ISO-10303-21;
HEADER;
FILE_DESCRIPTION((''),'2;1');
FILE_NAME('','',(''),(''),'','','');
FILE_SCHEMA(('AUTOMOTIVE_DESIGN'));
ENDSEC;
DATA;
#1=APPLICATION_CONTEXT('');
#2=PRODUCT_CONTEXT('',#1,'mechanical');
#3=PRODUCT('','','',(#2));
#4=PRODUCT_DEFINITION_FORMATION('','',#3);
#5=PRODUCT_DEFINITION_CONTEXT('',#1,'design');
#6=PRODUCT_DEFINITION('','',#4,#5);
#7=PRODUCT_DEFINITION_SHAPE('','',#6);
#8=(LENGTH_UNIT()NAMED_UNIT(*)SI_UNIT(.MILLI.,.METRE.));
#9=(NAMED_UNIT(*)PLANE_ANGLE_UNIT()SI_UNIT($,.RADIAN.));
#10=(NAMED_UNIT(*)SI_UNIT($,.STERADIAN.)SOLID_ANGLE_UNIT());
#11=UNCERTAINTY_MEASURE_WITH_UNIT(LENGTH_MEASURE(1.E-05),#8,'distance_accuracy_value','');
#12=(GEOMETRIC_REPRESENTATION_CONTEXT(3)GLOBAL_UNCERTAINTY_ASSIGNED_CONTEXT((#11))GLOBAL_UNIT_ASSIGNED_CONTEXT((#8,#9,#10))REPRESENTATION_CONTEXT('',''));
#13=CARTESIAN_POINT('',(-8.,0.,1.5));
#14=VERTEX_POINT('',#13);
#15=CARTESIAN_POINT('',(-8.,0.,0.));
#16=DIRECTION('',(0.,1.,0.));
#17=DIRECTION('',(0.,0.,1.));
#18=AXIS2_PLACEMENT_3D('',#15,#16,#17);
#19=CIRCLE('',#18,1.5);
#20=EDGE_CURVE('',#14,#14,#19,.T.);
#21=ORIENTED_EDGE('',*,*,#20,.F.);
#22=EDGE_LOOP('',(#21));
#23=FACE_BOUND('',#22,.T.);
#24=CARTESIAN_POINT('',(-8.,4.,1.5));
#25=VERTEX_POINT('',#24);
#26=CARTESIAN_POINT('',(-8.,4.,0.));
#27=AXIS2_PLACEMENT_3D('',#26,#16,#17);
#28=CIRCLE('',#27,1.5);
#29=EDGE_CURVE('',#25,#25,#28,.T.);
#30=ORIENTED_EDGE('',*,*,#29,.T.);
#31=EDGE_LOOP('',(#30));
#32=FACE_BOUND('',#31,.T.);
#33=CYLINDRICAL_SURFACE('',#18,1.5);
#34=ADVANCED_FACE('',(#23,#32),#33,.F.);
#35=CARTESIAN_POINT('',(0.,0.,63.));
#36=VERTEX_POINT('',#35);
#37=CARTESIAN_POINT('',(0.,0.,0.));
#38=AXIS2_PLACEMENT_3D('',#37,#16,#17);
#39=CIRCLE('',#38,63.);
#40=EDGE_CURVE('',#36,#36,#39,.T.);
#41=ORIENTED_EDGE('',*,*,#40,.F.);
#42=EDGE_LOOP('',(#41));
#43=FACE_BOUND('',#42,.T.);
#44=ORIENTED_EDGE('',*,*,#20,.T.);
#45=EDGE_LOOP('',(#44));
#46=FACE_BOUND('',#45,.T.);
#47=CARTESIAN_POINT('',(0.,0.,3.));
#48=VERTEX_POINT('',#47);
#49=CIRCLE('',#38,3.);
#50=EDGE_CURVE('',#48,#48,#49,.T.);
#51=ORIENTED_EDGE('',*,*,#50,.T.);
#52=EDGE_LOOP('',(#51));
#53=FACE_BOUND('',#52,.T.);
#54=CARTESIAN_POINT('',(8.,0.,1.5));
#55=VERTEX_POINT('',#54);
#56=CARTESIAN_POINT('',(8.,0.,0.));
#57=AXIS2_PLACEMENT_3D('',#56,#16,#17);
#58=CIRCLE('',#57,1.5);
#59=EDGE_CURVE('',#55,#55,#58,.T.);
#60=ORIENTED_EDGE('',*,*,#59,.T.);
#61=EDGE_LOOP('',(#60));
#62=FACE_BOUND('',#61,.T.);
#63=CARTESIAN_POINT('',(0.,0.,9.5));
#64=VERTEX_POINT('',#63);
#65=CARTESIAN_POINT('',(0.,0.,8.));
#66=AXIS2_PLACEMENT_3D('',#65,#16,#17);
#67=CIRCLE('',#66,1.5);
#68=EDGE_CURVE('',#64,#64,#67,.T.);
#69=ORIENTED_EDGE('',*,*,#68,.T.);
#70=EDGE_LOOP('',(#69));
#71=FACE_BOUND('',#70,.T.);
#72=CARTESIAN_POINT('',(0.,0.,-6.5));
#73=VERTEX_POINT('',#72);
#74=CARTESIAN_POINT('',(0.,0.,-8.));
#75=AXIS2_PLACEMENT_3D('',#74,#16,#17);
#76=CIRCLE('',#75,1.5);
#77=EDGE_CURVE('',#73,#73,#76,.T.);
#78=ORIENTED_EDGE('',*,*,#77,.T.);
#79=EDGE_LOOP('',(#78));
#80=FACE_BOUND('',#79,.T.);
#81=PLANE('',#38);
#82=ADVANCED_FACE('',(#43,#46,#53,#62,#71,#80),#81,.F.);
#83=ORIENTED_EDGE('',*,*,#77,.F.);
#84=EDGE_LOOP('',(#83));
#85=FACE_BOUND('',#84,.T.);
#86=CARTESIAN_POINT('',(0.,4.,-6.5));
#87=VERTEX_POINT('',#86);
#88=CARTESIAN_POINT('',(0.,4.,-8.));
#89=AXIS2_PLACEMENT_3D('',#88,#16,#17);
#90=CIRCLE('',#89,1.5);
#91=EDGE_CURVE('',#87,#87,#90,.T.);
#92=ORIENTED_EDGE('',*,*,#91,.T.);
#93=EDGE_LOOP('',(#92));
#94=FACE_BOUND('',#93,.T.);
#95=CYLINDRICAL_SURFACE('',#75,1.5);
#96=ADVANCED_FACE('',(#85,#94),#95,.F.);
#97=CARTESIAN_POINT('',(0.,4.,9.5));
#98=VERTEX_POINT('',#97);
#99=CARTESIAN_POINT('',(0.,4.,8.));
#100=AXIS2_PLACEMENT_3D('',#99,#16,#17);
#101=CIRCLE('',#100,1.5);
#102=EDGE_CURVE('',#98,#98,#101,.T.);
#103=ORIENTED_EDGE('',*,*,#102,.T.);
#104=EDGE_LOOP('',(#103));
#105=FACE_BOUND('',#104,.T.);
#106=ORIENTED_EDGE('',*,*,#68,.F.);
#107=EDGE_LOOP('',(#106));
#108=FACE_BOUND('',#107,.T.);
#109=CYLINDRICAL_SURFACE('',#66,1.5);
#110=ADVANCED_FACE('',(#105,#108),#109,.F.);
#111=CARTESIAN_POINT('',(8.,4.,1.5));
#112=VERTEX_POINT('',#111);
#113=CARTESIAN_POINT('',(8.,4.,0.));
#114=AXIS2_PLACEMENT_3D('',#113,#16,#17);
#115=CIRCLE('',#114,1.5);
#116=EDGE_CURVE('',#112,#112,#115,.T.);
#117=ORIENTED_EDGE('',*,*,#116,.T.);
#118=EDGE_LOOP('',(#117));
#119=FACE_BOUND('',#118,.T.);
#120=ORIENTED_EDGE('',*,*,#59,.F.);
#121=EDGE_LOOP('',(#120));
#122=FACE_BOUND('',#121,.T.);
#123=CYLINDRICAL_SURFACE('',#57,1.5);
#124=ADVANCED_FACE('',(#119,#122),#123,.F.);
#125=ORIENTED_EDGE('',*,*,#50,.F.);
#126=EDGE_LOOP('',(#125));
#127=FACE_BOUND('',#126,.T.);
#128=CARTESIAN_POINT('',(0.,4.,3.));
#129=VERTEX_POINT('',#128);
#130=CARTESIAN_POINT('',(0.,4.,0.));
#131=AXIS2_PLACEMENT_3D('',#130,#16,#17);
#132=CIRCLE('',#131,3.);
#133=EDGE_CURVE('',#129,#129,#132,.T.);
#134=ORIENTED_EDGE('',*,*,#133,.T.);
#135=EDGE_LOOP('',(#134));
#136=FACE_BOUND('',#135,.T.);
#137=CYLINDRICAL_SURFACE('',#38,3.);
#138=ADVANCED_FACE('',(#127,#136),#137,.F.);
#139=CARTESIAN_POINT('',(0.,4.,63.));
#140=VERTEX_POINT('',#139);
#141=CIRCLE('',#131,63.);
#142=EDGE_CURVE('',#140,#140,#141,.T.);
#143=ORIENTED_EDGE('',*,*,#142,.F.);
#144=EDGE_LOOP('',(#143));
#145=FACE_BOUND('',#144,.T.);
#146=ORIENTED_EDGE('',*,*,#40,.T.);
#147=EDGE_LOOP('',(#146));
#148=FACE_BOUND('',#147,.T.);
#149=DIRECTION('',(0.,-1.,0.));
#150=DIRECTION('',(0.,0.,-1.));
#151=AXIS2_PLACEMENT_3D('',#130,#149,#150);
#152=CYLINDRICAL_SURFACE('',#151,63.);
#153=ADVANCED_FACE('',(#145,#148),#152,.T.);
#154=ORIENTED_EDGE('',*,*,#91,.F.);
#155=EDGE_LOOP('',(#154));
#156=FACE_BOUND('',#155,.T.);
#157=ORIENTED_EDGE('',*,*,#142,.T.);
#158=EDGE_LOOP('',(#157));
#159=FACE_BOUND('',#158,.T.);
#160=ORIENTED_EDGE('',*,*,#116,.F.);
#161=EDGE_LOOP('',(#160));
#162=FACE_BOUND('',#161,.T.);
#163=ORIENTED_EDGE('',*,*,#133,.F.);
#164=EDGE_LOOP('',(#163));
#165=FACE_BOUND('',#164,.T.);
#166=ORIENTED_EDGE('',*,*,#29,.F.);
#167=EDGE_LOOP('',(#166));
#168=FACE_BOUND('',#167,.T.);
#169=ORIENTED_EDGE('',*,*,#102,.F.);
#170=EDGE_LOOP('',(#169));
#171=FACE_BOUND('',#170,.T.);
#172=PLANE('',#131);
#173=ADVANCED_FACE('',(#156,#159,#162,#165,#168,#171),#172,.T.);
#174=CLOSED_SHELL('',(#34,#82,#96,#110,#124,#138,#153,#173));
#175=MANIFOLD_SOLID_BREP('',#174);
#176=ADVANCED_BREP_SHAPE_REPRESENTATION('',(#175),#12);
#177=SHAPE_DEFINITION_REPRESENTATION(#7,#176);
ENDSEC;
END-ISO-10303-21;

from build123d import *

# Parameters (mm, degrees)
SKETCH_1_R          = 63
EXTRUDE_1_DEPTH     = 4
SKETCH_2_R          = 1.5
SKETCH_2_R_2        = 3
CUT_EXTRUDE_1_DEPTH = 5


with BuildPart() as part:
    # 草图1 → 凸台-拉伸1 (new body)
    with BuildSketch(Plane(origin=(0, 0, 0), x_dir=(1, 0, 0), z_dir=(0, 1, 0))):
        Circle(SKETCH_1_R)
    extrude(amount=EXTRUDE_1_DEPTH)

    # 草图2 → 切除-拉伸1 (cut, through all)
    with BuildSketch(Plane(origin=(0, 4, 0), x_dir=(1, 0, 0), z_dir=(0, 1, 0))):
        with Locations((8, 0)):
            Circle(SKETCH_2_R)
        with Locations((0, 8)):
            Circle(SKETCH_2_R)
        with Locations((-8, 0)):
            Circle(SKETCH_2_R)
        with Locations((0, -8)):
            Circle(SKETCH_2_R)
        Circle(SKETCH_2_R_2)
    extrude(amount=-CUT_EXTRUDE_1_DEPTH, mode=Mode.SUBTRACT)


solid = part.part
